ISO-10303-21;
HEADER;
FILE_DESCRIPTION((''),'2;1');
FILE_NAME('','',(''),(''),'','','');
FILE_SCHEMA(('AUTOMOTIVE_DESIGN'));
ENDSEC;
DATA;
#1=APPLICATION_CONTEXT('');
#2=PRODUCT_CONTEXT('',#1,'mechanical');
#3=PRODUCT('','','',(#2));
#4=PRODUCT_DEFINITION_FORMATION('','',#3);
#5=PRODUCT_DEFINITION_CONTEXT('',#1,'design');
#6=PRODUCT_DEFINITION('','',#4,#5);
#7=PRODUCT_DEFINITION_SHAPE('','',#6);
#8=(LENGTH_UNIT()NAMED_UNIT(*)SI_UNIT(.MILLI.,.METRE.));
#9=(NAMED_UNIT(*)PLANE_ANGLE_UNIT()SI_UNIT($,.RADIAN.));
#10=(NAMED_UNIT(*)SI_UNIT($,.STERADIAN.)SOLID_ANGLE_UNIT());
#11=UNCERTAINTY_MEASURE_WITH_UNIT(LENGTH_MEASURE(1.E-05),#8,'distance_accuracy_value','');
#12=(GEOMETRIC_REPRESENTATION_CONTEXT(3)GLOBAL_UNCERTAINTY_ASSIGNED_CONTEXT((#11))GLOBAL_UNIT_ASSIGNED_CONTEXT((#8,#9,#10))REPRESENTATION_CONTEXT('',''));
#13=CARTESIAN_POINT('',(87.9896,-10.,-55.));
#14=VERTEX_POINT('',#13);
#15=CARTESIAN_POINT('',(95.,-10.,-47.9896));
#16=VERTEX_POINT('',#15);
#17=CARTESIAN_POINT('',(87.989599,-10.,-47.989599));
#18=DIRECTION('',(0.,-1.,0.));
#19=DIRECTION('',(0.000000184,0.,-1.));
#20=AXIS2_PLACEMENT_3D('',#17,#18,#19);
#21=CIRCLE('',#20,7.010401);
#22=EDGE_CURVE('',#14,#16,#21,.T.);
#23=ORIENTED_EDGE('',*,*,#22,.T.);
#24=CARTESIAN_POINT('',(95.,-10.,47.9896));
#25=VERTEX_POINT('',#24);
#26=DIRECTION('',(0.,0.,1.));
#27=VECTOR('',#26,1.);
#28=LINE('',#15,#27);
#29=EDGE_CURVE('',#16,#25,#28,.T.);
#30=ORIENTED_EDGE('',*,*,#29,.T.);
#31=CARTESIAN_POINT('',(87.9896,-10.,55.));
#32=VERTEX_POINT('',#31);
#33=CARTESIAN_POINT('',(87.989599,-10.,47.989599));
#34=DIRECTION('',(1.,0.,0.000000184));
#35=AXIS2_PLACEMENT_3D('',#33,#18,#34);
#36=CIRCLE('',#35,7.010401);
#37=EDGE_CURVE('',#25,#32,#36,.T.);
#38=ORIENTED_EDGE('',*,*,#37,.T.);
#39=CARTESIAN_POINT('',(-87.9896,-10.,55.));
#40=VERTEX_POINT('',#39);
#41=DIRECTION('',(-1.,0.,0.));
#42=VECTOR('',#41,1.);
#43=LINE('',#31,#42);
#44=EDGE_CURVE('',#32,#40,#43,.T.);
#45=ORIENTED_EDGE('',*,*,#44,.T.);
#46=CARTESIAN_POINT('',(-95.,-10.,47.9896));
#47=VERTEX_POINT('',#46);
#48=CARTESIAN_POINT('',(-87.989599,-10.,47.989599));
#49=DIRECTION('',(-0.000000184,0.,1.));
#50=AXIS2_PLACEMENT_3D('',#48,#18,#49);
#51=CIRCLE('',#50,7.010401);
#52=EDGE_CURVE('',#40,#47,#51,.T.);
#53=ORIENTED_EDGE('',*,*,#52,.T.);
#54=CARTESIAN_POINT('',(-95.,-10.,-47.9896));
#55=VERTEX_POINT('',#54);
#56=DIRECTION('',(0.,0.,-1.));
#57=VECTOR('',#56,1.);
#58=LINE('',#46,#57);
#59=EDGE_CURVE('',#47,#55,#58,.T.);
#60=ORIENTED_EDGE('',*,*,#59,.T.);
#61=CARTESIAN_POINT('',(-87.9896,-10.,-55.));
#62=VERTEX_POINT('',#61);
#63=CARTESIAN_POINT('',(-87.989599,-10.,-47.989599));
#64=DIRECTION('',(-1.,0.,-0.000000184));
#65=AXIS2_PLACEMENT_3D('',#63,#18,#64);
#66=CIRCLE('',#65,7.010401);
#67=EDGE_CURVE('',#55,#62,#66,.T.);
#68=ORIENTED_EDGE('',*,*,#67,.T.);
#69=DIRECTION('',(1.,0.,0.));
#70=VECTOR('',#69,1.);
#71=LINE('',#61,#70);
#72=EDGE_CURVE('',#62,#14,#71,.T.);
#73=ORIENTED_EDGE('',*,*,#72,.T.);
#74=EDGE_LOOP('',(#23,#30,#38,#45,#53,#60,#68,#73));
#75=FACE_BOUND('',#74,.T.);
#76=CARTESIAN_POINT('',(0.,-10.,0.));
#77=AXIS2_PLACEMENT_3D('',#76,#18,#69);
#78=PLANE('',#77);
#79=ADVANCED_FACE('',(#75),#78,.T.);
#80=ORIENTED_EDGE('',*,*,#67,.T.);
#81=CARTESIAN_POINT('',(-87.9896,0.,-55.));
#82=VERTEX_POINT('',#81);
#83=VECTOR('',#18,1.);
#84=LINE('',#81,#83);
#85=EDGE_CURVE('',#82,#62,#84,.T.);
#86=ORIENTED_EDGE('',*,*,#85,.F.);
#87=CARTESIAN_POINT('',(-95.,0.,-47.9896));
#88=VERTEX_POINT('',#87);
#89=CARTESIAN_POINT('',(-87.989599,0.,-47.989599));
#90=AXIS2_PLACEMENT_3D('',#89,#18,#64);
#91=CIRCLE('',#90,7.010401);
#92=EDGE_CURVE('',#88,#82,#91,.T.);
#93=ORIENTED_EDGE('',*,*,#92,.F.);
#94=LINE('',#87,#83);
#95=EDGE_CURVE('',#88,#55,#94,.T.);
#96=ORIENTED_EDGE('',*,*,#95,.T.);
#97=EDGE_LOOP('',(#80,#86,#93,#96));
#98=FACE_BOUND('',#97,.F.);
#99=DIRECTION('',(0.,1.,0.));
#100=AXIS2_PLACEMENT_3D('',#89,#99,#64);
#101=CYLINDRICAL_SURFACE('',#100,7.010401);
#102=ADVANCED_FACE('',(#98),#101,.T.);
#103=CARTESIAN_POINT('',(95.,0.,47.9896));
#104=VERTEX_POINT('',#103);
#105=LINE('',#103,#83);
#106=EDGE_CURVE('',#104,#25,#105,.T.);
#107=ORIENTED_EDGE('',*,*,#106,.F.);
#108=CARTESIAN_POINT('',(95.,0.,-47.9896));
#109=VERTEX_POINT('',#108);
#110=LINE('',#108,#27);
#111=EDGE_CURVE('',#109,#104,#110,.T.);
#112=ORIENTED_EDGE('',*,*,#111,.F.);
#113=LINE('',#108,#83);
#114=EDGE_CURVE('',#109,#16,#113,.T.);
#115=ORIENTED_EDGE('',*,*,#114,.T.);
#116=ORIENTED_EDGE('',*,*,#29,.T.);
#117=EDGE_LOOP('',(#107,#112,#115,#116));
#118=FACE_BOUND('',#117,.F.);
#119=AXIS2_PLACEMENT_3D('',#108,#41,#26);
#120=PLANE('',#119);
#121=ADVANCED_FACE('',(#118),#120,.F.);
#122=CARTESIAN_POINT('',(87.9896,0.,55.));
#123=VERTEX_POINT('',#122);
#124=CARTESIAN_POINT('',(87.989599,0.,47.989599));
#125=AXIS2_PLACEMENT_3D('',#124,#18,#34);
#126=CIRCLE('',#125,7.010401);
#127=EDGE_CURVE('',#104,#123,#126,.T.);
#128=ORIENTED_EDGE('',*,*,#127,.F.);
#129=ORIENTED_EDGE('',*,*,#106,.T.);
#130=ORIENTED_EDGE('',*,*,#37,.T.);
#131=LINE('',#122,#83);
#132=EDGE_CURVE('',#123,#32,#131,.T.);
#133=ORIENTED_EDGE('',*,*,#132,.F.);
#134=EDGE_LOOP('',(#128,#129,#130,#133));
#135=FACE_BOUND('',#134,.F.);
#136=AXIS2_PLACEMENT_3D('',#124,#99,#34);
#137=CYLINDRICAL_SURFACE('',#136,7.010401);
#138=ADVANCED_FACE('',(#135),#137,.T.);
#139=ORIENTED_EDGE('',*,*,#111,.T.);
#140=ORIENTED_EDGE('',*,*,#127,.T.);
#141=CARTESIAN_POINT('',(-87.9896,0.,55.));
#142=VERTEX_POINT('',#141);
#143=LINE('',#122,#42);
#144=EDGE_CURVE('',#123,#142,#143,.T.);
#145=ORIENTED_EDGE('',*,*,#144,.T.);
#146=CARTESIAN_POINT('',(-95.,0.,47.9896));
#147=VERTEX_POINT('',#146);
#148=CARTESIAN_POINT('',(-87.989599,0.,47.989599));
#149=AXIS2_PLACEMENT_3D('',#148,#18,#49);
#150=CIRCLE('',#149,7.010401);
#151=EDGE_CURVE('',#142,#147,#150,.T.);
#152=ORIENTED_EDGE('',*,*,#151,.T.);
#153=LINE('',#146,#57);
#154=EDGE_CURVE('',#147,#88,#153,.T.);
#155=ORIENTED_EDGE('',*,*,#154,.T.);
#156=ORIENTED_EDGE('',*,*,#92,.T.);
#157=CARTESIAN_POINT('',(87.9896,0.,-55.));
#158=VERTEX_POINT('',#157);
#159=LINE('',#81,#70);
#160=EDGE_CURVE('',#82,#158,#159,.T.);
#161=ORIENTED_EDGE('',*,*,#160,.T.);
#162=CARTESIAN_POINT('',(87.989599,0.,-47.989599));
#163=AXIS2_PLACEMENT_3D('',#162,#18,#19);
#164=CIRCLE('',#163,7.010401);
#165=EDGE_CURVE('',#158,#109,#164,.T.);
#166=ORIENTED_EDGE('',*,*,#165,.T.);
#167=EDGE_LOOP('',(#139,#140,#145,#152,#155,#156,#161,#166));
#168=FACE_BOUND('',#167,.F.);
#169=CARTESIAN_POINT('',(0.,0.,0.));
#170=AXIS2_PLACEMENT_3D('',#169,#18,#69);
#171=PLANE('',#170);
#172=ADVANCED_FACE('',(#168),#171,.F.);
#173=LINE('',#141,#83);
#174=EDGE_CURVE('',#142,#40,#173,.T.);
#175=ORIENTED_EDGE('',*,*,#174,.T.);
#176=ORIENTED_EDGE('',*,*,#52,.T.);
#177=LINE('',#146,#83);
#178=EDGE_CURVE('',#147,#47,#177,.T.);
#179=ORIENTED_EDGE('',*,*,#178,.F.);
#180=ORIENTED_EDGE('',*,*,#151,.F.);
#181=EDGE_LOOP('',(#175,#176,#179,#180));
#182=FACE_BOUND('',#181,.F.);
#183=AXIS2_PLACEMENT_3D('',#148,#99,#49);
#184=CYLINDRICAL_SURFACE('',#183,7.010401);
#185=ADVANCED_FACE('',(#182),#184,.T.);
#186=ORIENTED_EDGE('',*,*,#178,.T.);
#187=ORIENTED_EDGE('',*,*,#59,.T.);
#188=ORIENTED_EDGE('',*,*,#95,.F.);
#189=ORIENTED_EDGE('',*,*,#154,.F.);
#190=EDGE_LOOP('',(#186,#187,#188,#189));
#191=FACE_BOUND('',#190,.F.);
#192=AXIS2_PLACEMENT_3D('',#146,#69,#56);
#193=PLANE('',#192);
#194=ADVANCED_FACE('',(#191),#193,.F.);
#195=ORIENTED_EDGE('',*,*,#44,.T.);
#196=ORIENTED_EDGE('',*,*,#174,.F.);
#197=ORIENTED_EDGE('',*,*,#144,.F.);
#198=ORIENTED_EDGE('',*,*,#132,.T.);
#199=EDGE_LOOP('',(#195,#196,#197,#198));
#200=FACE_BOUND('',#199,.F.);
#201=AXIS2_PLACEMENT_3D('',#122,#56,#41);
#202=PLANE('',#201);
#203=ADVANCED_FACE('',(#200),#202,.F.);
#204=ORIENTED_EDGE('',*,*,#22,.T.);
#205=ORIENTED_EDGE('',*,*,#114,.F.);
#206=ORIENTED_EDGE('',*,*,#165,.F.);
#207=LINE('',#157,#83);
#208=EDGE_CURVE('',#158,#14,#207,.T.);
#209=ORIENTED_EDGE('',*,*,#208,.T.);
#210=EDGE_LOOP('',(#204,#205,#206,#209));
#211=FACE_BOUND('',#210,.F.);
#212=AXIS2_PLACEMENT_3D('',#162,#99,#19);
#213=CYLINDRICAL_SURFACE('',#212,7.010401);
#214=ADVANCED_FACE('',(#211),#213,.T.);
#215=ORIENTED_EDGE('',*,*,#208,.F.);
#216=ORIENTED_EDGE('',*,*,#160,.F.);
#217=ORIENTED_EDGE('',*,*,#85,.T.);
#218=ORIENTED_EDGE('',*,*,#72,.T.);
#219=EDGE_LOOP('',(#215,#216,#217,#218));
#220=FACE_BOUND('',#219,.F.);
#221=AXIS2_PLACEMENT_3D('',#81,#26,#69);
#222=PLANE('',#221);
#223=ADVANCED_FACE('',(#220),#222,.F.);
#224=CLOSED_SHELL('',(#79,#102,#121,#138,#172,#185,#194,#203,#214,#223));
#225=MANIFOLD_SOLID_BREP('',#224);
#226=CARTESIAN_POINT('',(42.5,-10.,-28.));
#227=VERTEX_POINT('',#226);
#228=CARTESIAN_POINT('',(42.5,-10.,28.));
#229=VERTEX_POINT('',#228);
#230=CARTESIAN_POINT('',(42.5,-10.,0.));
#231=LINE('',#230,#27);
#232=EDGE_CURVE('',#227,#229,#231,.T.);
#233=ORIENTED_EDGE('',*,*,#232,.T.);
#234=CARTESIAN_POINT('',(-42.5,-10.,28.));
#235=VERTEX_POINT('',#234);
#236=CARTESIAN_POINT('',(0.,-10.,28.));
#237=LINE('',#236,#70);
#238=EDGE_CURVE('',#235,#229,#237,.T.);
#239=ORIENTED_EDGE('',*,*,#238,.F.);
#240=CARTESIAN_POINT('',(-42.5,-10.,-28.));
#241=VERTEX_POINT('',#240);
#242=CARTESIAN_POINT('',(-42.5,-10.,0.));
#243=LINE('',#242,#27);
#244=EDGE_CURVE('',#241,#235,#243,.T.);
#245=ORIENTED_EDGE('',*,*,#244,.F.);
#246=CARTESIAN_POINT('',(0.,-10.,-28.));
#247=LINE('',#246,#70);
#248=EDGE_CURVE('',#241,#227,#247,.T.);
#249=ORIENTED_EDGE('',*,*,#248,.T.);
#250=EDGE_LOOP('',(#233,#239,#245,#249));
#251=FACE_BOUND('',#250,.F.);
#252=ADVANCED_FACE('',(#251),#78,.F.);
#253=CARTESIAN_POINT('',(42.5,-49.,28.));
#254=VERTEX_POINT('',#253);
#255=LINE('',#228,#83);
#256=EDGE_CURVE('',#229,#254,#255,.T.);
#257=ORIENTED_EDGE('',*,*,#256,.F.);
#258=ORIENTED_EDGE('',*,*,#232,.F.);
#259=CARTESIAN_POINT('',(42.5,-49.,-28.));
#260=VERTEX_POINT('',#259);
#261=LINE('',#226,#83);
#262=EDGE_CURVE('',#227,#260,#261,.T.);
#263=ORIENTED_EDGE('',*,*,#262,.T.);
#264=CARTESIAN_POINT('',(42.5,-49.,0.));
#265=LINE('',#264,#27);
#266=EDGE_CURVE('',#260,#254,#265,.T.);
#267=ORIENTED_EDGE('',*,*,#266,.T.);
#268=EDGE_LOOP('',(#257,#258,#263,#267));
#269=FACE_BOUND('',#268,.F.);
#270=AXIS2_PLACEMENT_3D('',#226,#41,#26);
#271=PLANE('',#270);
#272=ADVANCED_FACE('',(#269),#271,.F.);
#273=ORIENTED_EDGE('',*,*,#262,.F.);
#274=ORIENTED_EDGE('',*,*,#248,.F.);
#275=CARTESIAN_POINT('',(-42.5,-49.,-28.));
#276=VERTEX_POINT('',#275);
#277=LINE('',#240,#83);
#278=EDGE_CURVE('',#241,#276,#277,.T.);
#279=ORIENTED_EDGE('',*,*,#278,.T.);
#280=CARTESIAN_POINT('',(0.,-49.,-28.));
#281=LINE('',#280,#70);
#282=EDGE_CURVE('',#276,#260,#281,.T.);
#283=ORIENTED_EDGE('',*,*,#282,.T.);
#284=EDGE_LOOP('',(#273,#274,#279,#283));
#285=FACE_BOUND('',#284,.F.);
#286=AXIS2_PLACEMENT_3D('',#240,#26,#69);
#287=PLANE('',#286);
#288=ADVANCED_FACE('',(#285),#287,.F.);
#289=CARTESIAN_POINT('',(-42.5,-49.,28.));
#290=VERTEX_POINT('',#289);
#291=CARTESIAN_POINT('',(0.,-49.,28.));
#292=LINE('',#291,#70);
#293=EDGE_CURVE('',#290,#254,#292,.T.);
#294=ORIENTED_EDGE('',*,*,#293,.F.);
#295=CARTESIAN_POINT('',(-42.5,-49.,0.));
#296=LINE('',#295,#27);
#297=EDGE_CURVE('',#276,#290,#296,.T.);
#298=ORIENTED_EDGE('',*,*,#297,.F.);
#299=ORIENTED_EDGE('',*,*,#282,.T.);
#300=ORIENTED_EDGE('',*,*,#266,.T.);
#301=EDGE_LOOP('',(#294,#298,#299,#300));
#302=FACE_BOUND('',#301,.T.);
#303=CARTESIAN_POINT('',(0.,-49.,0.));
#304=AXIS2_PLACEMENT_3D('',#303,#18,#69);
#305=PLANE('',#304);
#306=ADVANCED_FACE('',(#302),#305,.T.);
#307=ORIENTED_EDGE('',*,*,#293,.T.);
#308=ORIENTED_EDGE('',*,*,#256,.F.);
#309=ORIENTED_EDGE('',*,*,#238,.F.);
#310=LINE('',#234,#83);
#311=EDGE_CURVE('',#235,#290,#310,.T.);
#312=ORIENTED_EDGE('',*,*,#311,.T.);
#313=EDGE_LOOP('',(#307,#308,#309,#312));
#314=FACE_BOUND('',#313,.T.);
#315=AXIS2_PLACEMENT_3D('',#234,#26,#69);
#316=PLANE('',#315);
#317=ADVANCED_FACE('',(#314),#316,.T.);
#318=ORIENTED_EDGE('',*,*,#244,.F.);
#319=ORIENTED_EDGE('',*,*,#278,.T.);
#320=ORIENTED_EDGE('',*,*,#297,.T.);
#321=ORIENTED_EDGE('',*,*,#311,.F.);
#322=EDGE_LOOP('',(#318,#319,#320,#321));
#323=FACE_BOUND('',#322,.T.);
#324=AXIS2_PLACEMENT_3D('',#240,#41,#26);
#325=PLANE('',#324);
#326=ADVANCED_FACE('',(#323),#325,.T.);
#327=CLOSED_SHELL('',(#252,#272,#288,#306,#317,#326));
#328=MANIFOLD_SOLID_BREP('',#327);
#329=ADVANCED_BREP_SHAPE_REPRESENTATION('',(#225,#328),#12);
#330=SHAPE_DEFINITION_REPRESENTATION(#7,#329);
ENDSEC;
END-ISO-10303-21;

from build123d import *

# Parameters (mm, degrees)
F1_DEPTH = 10
F2_W     = 85
F2_H     = 56
F3_DEPTH = 39


with BuildPart() as f1:
    # F0 (on Front) → F1 (new body)
    with BuildSketch(Plane.XZ):
        with BuildLine():
            ThreePointArc((95, 47.9896), (92.946701, 52.946701), (87.9896, 55))
            Line((87.9896, 55), (-87.9896, 55))
            ThreePointArc((-87.9896, 55), (-92.946701, 52.946701), (-95, 47.9896))
            Line((-95, 47.9896), (-95, -47.9896))
            ThreePointArc((-95, -47.9896), (-92.946701, -52.946701), (-87.9896, -55))
            Line((-87.9896, -55), (87.9896, -55))
            ThreePointArc((87.9896, -55), (92.946701, -52.946701), (95, -47.9896))
            Line((95, -47.9896), (95, 47.9896))
        make_face()
    extrude(amount=F1_DEPTH)


with BuildPart() as f3:
    # F2 (on face) → F3 (new body)
    with BuildSketch(Plane.XZ.offset(10)):
        Rectangle(F2_W, F2_H)
    extrude(amount=F3_DEPTH)


solid = Compound([f1.part, f3.part])
